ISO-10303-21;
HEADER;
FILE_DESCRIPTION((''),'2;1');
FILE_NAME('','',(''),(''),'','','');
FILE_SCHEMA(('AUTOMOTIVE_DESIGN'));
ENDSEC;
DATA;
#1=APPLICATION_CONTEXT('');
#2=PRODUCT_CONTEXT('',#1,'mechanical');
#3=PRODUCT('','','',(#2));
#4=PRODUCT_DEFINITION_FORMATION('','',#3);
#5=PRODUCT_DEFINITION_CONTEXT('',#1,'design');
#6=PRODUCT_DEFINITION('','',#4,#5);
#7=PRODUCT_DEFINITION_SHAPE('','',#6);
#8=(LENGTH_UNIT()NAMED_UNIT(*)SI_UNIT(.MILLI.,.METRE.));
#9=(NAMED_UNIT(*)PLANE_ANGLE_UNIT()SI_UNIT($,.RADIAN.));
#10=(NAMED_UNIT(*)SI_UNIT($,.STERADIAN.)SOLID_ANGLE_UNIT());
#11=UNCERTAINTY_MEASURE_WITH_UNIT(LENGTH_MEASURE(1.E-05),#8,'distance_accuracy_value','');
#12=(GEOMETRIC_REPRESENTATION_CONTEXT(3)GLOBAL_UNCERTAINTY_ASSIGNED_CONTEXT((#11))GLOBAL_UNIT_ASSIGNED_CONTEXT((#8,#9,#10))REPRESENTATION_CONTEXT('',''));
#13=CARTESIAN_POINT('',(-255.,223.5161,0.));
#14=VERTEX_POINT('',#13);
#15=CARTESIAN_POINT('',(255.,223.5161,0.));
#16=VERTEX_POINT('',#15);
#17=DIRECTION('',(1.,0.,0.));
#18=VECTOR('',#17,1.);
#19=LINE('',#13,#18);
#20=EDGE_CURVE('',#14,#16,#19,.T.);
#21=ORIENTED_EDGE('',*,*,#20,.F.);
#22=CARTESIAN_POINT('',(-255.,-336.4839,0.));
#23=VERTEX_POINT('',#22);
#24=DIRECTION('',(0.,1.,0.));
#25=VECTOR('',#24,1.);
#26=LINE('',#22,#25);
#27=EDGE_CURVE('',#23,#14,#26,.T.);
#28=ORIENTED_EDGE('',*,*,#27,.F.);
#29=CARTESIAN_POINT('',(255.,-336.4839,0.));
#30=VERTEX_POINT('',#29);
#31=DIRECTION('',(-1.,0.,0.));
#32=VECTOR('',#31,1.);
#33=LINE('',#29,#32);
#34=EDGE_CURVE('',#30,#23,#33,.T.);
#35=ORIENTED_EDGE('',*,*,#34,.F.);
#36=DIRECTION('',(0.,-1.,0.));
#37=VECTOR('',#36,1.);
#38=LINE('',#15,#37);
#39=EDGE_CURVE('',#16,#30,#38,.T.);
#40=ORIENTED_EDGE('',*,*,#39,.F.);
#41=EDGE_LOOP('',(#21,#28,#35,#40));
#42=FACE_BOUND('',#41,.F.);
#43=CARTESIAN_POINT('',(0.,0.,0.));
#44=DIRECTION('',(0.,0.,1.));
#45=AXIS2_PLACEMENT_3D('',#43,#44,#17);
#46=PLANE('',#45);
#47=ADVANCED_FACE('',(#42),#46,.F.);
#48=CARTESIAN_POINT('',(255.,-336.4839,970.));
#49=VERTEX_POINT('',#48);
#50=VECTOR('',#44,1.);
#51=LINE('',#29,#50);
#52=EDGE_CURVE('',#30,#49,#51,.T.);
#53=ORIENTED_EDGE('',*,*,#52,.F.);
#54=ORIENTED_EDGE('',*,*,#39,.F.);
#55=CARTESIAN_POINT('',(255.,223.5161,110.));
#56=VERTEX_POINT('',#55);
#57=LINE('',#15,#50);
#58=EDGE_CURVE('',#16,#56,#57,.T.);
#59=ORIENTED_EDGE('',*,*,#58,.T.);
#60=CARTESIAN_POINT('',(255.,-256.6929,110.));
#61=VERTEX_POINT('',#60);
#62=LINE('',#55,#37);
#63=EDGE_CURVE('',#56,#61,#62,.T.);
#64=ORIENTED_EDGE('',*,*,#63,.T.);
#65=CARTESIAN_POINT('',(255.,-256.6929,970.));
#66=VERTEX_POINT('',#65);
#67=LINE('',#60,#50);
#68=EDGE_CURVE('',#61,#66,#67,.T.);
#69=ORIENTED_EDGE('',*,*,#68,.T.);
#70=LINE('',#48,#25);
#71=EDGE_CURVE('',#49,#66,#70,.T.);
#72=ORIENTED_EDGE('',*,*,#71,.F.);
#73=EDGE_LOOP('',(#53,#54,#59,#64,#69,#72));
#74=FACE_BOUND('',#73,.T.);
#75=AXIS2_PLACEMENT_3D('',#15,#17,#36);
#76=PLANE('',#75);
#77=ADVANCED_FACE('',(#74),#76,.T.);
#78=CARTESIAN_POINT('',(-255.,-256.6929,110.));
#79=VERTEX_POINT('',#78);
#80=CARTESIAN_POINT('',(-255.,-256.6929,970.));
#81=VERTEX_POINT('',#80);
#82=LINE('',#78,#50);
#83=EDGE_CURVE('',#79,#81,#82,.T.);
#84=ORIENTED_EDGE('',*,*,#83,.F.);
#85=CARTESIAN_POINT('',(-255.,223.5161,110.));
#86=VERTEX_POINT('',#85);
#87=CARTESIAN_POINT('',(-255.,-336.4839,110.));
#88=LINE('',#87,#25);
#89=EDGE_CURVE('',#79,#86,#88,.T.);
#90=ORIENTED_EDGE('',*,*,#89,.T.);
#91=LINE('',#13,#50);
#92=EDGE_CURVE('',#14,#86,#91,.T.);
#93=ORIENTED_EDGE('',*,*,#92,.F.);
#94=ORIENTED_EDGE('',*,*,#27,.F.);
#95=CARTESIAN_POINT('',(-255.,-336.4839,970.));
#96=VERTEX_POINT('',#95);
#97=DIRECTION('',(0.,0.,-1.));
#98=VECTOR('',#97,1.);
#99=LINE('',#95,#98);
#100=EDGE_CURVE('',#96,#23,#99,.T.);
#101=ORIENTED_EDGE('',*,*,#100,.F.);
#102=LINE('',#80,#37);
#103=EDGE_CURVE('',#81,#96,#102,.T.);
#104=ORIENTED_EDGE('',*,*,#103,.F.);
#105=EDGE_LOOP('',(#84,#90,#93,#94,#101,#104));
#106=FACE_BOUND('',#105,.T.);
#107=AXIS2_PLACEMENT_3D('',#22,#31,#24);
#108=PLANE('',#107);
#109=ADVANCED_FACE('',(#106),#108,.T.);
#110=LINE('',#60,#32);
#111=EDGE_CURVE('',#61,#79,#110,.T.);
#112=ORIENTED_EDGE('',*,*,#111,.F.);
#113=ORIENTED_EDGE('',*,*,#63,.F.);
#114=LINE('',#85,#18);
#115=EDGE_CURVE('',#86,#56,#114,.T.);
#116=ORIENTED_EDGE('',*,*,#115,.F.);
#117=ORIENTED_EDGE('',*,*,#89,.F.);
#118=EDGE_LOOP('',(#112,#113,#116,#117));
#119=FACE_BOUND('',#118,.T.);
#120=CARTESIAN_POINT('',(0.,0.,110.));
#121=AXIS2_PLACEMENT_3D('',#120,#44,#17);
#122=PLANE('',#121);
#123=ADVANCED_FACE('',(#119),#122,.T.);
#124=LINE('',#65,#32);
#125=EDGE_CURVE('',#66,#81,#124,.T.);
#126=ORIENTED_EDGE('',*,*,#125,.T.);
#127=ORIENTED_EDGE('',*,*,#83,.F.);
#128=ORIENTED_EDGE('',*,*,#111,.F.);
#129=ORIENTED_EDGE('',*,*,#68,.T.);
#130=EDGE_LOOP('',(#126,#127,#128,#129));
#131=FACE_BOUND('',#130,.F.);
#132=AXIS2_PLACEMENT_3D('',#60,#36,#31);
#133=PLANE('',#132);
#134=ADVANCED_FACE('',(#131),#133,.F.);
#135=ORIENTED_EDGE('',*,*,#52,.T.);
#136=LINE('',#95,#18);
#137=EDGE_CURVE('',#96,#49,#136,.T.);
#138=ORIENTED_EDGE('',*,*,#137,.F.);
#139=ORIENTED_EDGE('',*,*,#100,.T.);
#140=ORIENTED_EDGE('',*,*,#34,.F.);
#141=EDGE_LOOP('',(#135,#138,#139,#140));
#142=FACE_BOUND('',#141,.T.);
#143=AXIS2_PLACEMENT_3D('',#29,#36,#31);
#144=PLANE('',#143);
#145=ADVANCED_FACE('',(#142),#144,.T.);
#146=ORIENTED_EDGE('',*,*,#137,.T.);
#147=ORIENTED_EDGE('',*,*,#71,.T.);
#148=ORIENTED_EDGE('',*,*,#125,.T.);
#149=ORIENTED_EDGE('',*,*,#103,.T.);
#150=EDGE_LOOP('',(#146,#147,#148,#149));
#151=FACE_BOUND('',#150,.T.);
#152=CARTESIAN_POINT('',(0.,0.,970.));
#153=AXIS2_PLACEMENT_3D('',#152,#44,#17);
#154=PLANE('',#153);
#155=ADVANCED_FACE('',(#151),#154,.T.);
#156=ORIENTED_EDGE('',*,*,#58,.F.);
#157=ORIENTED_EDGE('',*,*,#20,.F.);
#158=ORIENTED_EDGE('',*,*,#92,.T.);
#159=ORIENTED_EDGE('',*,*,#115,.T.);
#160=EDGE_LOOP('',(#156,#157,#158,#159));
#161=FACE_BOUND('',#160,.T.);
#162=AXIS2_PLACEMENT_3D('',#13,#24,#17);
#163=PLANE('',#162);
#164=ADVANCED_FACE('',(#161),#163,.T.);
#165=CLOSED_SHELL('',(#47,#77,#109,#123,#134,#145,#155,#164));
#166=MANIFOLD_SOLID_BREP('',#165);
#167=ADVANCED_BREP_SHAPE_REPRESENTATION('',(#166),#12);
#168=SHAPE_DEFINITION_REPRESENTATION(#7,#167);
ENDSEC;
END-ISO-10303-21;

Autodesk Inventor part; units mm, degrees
ref_plane "YZ Plane" through (0, 0, 0) normal (1, 0, 0) x (0, 1, 0)
ref_plane "XZ Plane" through (0, 0, 0) normal (0, 1, 0) x (-1, 0, 0)
ref_plane "XY Plane" through (0, 0, 0) normal (0, 0, 1) x (1, 0, 0)
ref_plane "Work Plane1" through (0, 0, 0) normal (0, 0, 1) x (1, 0, 0)
sketch "Sketch1" plane through (0, 0, 0) normal (0, 0, 1) x (1, 0, 0)
  line L0 (255, -336.4839) -> (-255, -336.4839)
  line L1 (-255, -336.4839) -> (-255, 223.5161)
  line L2 (-255, 223.5161) -> (255, 223.5161)
  line L3 (255, 223.5161) -> (255, -336.4839)
  line L4 (255, -336.4839) -> (-255, 223.5161) construction
  line L5 (-255, -336.4839) -> (255, 223.5161) construction
  point P0 (0, -56.4839)
  dimension "d0" = 510
  dimension "d1" = 560
extrude "Extrusion1" add sketch "Sketch1" along normal blind 110
sketch "Sketch2" plane through (0, 0, 110) normal (0, 0, 1) x (1, 0, 0)
  line L0 (-255, -336.4839) -> (255, -336.4839) projected
  line L1 (255, -336.4839) -> (255, 223.5161) projected
  line L2 (-255, -336.4839) -> (255, -336.4839)
  line L3 (255, -336.4839) -> (255, -256.6929)
  line L4 (255, -256.6929) -> (-255, -256.6929)
  line L5 (-255, -256.6929) -> (-255, -336.4839)
  point P0 (0, 0)
extrude "Extrusion2" add sketch "Sketch2" along normal blind 860
properties part number "fotel"
